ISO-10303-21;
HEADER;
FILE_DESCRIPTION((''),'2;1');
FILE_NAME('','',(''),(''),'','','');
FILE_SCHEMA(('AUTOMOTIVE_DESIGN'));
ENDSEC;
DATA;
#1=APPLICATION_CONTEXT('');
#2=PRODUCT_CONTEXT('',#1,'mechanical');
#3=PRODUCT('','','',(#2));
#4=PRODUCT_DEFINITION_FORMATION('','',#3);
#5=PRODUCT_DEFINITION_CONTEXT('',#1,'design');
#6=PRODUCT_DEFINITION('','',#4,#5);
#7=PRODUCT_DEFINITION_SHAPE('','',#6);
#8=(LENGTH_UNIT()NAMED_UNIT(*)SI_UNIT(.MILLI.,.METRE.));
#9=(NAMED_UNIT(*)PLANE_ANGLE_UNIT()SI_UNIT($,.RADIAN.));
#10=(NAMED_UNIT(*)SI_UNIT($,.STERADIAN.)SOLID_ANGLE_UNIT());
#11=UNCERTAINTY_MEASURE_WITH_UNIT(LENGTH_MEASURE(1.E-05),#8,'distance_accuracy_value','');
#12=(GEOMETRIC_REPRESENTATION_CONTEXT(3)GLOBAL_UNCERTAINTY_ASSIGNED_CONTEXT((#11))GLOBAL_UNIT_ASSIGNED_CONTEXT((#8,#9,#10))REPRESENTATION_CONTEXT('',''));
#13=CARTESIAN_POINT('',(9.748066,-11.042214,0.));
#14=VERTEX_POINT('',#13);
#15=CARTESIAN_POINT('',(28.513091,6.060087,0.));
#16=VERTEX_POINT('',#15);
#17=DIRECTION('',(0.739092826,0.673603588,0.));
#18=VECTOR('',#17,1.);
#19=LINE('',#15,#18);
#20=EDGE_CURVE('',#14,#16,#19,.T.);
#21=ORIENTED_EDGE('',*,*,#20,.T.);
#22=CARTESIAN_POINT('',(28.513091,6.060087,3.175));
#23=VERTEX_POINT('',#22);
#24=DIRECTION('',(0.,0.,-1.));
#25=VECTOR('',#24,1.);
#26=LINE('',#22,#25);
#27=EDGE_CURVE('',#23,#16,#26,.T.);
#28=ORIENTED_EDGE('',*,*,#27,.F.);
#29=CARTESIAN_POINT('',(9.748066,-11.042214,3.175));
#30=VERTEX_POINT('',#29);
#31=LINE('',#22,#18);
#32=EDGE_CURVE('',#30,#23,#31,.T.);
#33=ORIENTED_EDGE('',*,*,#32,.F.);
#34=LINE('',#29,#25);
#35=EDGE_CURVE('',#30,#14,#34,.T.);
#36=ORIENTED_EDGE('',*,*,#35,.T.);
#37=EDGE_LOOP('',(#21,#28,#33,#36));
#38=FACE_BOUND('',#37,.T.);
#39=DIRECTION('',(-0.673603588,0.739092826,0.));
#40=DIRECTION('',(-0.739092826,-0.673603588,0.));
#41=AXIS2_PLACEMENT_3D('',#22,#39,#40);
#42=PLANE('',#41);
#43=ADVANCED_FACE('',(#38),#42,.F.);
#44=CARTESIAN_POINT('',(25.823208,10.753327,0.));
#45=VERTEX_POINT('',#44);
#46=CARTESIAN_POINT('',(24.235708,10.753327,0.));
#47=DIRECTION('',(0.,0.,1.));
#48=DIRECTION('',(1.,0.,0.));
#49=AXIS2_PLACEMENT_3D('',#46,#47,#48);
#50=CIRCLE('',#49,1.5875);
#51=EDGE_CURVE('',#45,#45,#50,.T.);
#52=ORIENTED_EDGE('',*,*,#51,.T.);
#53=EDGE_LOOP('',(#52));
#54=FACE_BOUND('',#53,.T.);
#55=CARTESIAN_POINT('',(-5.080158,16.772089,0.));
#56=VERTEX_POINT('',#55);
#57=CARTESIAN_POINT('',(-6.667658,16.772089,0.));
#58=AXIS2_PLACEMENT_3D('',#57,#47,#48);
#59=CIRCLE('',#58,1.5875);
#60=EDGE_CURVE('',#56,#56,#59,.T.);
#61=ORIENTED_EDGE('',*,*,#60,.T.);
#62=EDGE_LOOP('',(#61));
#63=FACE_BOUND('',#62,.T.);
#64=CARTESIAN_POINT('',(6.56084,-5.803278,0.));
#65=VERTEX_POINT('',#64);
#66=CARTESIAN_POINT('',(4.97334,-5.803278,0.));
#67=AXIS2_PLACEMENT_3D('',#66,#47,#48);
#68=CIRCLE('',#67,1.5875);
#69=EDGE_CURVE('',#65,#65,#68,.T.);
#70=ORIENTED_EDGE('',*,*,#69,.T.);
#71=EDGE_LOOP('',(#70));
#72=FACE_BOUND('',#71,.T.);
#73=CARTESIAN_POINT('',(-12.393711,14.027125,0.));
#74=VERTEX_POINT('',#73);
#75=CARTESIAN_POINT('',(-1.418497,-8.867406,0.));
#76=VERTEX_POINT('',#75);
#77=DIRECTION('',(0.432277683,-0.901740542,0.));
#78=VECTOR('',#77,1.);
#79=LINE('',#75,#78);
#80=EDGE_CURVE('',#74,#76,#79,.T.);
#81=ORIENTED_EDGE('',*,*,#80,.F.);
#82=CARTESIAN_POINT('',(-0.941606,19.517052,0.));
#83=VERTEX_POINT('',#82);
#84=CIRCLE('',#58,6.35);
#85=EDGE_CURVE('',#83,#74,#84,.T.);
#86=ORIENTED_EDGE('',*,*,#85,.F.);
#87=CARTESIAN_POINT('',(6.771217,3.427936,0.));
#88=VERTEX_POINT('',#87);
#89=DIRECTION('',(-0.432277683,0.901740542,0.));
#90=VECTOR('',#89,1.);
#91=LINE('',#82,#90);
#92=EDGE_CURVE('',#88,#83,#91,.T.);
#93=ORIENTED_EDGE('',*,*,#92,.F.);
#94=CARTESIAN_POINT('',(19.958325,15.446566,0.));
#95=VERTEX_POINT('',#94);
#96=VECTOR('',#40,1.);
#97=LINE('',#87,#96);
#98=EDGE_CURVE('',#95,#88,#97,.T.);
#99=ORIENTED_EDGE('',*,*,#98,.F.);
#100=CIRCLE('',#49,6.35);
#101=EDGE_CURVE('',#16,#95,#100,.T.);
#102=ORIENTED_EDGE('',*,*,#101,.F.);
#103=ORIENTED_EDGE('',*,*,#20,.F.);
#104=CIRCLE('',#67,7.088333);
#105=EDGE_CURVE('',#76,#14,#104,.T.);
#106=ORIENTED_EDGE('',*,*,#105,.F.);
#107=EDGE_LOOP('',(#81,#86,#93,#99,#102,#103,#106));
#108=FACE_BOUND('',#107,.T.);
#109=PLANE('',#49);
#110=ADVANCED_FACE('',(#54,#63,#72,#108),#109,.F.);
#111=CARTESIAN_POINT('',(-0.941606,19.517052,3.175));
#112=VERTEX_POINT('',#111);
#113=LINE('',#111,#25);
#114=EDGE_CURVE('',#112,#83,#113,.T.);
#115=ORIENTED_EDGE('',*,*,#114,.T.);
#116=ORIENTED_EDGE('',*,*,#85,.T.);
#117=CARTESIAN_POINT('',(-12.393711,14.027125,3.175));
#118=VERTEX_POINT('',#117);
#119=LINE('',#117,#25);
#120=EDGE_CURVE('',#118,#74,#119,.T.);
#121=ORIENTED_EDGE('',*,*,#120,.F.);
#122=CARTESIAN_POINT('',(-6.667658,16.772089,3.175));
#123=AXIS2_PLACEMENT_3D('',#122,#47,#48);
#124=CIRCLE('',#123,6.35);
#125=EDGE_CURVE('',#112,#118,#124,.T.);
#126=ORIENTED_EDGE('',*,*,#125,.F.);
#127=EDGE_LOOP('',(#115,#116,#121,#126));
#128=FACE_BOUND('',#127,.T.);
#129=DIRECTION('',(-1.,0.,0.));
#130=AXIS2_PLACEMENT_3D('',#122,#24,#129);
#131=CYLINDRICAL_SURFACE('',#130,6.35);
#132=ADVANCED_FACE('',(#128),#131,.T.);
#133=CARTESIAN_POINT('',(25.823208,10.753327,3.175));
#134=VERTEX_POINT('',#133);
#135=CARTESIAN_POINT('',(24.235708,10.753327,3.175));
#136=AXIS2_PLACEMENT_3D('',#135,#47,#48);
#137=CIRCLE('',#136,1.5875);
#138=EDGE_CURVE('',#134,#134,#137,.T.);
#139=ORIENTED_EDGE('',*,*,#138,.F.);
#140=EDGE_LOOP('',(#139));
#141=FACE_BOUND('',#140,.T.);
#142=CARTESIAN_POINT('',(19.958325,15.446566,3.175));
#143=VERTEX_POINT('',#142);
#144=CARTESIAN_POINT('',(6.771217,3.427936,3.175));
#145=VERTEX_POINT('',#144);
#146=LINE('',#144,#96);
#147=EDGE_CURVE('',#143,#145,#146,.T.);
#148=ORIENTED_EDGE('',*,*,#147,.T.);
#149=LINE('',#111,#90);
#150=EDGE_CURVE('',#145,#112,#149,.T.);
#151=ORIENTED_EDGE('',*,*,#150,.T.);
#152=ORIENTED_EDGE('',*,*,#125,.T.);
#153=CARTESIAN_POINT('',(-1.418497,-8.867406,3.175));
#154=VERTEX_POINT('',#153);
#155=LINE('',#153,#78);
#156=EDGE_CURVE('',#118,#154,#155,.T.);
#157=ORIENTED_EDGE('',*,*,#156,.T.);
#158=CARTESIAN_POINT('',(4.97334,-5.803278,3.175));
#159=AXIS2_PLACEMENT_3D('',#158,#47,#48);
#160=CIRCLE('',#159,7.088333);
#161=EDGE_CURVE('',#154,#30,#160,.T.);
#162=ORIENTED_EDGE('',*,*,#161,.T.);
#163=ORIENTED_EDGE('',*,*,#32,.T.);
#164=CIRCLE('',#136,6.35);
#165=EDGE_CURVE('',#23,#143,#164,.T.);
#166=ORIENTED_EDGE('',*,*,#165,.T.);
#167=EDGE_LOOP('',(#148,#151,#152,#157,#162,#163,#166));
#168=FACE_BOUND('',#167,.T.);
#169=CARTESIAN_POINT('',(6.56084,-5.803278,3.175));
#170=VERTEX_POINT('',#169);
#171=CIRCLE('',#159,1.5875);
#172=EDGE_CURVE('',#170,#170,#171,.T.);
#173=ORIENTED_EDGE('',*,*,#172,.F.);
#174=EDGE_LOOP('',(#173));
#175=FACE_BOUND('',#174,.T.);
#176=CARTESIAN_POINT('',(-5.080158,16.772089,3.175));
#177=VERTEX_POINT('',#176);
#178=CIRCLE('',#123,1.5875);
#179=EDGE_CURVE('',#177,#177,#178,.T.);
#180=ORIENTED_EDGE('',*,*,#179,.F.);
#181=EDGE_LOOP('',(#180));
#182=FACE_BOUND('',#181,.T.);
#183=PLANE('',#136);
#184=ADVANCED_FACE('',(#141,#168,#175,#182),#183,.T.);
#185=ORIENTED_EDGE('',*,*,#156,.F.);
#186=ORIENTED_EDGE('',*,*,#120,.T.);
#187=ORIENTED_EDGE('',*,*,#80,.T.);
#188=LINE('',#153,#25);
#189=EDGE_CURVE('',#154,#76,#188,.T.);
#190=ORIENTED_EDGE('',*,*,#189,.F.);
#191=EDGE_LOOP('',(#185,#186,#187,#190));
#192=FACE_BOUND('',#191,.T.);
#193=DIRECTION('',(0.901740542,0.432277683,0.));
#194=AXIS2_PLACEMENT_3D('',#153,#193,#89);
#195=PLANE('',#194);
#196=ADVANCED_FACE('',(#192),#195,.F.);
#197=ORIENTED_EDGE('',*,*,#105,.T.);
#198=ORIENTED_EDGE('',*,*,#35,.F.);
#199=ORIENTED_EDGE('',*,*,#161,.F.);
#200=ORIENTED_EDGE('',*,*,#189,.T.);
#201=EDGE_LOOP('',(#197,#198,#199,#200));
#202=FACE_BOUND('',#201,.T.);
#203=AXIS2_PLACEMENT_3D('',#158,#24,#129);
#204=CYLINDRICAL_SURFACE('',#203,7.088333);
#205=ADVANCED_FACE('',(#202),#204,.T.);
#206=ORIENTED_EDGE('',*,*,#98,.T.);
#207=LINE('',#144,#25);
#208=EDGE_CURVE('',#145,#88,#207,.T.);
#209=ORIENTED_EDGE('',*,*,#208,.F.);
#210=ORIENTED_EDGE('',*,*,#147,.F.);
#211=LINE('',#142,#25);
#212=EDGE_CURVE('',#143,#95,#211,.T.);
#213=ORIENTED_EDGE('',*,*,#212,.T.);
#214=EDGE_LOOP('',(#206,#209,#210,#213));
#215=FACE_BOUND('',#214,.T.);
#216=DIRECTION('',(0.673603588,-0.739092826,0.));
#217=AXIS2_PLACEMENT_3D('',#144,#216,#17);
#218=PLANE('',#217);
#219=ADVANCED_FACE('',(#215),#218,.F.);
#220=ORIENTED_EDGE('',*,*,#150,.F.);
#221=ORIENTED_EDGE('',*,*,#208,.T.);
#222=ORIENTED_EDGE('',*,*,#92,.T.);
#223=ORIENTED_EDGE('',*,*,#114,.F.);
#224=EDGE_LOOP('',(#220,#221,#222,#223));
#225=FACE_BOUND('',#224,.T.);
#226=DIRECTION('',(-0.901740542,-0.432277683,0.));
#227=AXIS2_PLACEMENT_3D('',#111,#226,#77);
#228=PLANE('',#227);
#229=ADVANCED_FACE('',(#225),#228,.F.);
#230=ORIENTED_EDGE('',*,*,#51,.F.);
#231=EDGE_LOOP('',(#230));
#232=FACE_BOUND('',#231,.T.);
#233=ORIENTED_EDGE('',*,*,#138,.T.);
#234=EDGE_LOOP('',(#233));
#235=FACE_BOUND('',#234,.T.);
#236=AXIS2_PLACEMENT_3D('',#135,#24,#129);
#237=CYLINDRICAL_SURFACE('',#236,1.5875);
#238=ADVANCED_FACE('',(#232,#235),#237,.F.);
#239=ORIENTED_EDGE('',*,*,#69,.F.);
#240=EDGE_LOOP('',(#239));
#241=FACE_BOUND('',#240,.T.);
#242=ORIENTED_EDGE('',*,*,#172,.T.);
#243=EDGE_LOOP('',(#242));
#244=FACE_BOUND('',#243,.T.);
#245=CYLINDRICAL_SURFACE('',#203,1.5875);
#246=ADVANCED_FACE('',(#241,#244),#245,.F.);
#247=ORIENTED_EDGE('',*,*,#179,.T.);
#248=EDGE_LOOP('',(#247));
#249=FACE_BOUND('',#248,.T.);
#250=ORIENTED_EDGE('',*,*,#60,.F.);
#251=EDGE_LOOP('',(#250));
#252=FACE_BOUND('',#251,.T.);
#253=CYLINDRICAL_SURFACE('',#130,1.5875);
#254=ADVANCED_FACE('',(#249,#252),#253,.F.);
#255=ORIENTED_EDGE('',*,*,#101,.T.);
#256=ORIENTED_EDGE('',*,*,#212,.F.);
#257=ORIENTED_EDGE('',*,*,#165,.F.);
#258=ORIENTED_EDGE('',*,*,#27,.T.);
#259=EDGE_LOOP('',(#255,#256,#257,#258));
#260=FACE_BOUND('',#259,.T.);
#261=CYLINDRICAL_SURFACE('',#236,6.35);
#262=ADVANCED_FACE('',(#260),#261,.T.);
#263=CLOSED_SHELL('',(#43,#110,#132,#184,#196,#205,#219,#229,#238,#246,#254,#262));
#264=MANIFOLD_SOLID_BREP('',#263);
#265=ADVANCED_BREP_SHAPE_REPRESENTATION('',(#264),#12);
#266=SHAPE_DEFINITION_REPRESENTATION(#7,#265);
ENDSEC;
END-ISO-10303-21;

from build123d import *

# Parameters (mm, degrees)
SKETCH1_R           = 1.5875
BOSS_EXTRUDE2_DEPTH = 3.175


with BuildPart() as part:
    # Sketch1 → Boss-Extrude2 (new body)
    with BuildSketch(Plane.XY):
        with BuildLine():
            Line((28.513090943, 6.060087425), (9.748066048, -11.042213745))
            ThreePointArc((9.748066048, -11.042213745), (3.618271725, -12.760881788), (-1.418497452, -8.867405893))
            Line((-1.418497452, -8.867405893), (-12.393710832, 14.027125243))
            ThreePointArc((-12.393710832, 14.027125243), (-9.412621674, 22.498140969), (-0.941605948, 19.517051811))
            Line((-0.941605948, 19.517051811), (6.771217457, 3.427936321))
            Line((6.771217457, 3.427936321), (19.958325371, 15.446566318))
            ThreePointArc((19.958325371, 15.446566318), (28.928947603, 15.030709658), (28.513090943, 6.060087425))
        make_face()
        with Locations((-6.66765839, 16.772088527)):
            Circle(SKETCH1_R, mode=Mode.SUBTRACT)
        with Locations((24.235708157, 10.753326872)):
            Circle(SKETCH1_R, mode=Mode.SUBTRACT)
        with Locations((4.973339626, -5.803277809)):
            Circle(SKETCH1_R, mode=Mode.SUBTRACT)
    extrude(amount=BOSS_EXTRUDE2_DEPTH)


solid = part.part
